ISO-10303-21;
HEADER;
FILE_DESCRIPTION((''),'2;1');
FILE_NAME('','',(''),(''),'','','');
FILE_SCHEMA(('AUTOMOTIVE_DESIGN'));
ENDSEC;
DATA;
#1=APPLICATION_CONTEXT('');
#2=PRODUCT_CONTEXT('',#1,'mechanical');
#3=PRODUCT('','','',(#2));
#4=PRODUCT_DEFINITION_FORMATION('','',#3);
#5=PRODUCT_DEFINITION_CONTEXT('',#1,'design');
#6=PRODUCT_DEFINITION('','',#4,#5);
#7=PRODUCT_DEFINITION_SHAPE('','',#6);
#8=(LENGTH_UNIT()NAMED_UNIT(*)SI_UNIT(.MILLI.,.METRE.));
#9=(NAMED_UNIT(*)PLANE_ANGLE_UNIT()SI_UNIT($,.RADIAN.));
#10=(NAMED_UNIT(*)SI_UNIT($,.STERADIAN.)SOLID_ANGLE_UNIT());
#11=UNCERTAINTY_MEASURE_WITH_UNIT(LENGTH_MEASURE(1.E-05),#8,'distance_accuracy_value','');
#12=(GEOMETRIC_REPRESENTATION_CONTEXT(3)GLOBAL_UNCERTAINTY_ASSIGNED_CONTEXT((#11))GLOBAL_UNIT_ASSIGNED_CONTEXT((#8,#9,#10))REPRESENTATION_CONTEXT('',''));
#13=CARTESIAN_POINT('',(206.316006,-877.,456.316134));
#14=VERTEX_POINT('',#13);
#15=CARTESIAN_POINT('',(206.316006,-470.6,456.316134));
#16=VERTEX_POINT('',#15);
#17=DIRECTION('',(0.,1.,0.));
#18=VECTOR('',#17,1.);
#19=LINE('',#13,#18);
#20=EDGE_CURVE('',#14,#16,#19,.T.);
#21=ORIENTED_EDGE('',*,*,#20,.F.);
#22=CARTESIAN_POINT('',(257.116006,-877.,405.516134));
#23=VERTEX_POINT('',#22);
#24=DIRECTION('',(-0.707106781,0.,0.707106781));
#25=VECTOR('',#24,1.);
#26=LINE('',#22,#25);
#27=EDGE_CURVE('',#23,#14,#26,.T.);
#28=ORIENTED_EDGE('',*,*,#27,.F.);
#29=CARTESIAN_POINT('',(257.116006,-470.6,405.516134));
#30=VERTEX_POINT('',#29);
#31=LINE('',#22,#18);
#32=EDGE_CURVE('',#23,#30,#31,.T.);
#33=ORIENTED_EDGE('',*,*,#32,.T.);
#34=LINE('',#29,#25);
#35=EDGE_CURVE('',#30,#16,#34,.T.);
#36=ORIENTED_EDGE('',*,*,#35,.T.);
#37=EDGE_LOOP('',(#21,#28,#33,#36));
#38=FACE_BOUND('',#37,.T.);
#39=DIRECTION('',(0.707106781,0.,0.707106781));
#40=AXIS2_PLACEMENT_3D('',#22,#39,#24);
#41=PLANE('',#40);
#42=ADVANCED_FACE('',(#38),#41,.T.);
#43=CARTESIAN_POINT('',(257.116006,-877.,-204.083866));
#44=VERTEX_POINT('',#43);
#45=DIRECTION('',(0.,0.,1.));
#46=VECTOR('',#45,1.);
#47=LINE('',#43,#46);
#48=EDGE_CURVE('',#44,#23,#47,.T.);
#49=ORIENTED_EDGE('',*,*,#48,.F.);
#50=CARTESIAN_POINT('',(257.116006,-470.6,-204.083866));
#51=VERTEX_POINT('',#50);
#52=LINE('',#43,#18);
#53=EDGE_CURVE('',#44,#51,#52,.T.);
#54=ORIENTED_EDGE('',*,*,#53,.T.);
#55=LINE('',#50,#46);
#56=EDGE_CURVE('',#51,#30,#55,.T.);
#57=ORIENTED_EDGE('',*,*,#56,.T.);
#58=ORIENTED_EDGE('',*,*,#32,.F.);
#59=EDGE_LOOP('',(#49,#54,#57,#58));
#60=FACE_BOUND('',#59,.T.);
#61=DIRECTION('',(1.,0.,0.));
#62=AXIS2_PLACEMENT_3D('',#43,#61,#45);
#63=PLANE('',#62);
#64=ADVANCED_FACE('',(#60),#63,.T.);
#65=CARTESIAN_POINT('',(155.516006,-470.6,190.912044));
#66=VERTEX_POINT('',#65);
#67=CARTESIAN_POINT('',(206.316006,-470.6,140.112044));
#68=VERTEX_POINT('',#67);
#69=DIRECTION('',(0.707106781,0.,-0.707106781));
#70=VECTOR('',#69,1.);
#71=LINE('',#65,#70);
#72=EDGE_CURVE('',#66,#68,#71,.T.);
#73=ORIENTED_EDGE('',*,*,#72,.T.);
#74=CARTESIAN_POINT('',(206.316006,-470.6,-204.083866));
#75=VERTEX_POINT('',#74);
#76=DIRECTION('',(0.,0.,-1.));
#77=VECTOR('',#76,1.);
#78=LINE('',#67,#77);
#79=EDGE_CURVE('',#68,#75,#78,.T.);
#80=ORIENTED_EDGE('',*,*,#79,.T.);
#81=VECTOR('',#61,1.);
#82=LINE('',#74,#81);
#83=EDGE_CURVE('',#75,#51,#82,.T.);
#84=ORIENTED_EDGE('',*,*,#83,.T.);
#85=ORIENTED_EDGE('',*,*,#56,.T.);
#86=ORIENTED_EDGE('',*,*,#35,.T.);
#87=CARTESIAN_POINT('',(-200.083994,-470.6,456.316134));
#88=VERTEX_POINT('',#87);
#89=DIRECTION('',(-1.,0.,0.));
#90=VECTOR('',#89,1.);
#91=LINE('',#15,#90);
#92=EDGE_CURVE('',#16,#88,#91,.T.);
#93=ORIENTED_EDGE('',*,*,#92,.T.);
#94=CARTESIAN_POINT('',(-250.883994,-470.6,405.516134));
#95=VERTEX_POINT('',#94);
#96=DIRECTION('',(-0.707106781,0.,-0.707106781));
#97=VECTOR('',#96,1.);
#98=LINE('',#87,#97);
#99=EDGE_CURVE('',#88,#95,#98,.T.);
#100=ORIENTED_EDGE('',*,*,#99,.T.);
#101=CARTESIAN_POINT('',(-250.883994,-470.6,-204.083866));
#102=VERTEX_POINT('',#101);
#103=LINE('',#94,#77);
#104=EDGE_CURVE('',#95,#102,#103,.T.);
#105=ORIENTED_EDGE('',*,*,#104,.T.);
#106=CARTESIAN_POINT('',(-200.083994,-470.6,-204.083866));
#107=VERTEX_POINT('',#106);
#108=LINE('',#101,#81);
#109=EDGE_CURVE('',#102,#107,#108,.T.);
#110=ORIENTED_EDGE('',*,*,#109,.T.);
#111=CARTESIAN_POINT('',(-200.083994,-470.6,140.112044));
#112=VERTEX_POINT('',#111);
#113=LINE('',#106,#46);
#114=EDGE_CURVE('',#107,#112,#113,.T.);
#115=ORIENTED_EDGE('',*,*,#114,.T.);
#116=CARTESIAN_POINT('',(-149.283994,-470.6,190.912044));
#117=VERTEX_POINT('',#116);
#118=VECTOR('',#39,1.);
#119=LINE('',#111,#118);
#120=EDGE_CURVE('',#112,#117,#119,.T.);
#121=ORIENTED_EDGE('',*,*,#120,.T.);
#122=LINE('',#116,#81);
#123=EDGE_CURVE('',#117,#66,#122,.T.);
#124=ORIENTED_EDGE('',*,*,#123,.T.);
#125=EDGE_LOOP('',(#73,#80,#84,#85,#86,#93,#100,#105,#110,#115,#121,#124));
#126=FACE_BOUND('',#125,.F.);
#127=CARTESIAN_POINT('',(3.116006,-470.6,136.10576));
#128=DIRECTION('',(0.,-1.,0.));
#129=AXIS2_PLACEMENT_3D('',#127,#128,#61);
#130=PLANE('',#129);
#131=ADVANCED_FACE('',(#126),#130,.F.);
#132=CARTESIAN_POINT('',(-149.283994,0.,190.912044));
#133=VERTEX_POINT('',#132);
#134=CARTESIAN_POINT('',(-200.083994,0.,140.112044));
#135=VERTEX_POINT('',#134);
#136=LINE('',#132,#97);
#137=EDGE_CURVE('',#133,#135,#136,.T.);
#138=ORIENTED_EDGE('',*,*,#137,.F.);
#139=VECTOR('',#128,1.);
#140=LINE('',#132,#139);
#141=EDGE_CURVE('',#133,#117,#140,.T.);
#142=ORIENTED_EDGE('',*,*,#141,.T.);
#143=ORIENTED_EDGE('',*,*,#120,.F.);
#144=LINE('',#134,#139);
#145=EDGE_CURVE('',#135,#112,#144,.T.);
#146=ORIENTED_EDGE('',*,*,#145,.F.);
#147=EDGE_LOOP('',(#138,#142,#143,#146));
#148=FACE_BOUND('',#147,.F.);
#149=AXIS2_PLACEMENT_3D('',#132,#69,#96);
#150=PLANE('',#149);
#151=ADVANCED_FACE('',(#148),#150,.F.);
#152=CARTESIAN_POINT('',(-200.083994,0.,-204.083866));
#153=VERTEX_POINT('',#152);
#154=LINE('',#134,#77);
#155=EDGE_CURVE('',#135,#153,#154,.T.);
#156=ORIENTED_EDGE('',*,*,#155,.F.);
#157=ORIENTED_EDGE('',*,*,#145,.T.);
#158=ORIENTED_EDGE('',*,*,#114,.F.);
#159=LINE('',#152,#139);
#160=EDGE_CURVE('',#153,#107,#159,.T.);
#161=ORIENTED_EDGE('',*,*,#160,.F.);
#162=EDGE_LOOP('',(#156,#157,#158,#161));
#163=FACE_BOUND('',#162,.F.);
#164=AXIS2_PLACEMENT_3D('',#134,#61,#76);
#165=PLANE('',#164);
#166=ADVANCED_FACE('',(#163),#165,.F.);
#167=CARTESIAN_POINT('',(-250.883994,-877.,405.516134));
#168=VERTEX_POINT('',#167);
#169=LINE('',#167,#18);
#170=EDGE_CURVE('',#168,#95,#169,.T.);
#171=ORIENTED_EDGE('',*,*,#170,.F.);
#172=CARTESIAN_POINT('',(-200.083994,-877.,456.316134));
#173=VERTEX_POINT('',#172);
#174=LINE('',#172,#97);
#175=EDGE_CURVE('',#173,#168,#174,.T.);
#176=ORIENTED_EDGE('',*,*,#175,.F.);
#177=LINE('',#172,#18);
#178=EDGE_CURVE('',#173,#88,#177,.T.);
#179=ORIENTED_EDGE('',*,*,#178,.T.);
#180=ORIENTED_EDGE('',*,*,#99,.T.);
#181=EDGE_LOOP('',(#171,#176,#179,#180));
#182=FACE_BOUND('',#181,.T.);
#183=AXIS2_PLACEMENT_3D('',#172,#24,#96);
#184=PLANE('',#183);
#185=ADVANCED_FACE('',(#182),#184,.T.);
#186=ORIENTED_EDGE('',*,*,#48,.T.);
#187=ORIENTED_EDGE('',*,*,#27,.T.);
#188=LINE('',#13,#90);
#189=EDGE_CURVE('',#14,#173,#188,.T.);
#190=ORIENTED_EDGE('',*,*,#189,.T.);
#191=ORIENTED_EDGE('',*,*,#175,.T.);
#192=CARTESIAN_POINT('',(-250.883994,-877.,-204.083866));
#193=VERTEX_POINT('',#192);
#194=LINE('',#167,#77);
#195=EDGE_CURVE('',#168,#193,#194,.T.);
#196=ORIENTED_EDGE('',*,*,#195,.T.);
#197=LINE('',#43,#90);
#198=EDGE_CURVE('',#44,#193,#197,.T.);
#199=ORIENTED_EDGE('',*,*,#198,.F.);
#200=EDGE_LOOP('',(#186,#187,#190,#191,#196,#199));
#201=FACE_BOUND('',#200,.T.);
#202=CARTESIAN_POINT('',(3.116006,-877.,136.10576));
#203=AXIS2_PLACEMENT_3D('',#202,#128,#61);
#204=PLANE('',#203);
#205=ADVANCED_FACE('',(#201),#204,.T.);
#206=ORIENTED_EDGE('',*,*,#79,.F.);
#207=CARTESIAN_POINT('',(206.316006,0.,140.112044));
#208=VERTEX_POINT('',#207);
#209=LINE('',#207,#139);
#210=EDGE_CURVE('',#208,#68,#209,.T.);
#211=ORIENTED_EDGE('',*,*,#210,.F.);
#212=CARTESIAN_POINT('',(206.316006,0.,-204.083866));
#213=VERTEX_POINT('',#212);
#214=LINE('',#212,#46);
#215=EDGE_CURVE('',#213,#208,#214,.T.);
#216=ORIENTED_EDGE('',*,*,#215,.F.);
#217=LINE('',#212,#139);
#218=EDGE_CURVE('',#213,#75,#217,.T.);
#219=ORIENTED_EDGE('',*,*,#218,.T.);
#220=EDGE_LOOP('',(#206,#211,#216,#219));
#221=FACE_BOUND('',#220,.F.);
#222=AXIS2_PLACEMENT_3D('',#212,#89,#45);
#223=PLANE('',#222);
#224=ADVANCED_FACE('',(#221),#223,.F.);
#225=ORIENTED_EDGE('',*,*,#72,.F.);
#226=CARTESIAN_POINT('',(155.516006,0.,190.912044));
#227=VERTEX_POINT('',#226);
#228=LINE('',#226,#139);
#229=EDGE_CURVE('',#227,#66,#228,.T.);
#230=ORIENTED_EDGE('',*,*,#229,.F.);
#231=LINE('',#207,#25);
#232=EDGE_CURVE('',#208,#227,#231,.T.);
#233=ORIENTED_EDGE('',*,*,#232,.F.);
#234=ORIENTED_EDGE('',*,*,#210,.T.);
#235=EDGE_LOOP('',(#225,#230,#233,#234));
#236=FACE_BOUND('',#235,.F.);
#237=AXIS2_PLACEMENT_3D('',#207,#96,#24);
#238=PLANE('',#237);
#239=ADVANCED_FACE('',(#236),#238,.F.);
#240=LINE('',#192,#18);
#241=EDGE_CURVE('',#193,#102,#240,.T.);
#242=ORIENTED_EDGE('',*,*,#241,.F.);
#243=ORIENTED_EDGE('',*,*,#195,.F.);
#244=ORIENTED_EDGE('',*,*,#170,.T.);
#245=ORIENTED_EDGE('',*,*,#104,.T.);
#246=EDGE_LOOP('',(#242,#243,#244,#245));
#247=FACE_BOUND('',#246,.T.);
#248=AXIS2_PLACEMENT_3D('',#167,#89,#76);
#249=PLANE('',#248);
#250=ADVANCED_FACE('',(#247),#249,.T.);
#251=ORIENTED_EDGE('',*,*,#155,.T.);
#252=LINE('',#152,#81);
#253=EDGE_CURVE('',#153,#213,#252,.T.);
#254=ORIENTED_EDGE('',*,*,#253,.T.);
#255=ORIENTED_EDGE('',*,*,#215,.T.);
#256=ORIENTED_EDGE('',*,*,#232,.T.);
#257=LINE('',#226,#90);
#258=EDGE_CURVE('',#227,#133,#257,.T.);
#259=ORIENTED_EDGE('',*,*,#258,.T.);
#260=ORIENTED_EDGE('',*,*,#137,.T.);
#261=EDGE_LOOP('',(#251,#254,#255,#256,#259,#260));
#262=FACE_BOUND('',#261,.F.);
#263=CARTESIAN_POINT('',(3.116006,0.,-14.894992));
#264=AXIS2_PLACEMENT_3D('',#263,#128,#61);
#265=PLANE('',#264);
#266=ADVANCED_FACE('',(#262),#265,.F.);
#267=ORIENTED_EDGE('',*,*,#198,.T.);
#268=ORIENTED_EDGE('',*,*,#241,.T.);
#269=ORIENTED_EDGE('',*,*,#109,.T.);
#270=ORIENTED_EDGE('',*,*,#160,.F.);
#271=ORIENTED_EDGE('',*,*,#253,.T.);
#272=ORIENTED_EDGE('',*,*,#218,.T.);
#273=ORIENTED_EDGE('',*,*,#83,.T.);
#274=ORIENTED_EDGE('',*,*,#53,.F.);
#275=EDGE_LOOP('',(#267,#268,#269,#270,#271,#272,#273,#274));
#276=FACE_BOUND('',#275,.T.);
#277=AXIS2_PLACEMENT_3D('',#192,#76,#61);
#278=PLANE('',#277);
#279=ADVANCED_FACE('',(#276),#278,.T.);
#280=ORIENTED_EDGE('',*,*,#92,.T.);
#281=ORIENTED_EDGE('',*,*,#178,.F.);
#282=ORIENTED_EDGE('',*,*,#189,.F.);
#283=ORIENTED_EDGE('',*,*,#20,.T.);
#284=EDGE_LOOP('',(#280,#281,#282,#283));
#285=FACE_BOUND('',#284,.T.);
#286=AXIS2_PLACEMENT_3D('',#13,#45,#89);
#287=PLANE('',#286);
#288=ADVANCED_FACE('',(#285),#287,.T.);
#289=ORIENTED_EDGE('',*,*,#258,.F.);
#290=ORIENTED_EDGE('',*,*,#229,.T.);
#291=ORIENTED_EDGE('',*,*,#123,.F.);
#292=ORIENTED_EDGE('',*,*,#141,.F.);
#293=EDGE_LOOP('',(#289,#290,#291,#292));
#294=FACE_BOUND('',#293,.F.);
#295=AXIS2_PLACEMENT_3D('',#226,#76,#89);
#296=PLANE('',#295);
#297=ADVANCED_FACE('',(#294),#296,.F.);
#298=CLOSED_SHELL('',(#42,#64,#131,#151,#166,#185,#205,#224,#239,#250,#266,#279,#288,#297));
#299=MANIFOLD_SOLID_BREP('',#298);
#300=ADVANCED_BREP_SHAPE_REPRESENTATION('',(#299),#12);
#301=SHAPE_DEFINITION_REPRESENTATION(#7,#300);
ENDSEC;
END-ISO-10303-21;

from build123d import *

# Parameters (mm, degrees)
F1_DEPTH = 877
F3_DEPTH = 406.4


with BuildPart() as f1:
    # F0 (on Front) → F1 (new body)
    with BuildSketch(Plane.XZ):
        Polygon((-200.083994, 140.112044), (-200.083994, -204.083866), (206.316006, -204.083866), (206.316006, 140.112044), (155.516006, 190.912044), (-149.283994, 190.912044), align=None)
    extrude(amount=F1_DEPTH)

    # F2 (on face) → F3 (join)
    with BuildSketch(Plane.XZ.offset(877)):
        Polygon((-250.883994, 405.516134), (-250.883994, -204.083866), (-200.083994, -204.083866), (-200.083994, 140.112044), (-149.283994, 190.912044), (155.516006, 190.912044), (206.316006, 140.112044), (206.316006, -204.083866), (257.116006, -204.083866), (257.116006, 405.516134), (206.316006, 456.316134), (-200.083994, 456.316134), align=None)
    extrude(amount=-F3_DEPTH)


solid = f1.part
